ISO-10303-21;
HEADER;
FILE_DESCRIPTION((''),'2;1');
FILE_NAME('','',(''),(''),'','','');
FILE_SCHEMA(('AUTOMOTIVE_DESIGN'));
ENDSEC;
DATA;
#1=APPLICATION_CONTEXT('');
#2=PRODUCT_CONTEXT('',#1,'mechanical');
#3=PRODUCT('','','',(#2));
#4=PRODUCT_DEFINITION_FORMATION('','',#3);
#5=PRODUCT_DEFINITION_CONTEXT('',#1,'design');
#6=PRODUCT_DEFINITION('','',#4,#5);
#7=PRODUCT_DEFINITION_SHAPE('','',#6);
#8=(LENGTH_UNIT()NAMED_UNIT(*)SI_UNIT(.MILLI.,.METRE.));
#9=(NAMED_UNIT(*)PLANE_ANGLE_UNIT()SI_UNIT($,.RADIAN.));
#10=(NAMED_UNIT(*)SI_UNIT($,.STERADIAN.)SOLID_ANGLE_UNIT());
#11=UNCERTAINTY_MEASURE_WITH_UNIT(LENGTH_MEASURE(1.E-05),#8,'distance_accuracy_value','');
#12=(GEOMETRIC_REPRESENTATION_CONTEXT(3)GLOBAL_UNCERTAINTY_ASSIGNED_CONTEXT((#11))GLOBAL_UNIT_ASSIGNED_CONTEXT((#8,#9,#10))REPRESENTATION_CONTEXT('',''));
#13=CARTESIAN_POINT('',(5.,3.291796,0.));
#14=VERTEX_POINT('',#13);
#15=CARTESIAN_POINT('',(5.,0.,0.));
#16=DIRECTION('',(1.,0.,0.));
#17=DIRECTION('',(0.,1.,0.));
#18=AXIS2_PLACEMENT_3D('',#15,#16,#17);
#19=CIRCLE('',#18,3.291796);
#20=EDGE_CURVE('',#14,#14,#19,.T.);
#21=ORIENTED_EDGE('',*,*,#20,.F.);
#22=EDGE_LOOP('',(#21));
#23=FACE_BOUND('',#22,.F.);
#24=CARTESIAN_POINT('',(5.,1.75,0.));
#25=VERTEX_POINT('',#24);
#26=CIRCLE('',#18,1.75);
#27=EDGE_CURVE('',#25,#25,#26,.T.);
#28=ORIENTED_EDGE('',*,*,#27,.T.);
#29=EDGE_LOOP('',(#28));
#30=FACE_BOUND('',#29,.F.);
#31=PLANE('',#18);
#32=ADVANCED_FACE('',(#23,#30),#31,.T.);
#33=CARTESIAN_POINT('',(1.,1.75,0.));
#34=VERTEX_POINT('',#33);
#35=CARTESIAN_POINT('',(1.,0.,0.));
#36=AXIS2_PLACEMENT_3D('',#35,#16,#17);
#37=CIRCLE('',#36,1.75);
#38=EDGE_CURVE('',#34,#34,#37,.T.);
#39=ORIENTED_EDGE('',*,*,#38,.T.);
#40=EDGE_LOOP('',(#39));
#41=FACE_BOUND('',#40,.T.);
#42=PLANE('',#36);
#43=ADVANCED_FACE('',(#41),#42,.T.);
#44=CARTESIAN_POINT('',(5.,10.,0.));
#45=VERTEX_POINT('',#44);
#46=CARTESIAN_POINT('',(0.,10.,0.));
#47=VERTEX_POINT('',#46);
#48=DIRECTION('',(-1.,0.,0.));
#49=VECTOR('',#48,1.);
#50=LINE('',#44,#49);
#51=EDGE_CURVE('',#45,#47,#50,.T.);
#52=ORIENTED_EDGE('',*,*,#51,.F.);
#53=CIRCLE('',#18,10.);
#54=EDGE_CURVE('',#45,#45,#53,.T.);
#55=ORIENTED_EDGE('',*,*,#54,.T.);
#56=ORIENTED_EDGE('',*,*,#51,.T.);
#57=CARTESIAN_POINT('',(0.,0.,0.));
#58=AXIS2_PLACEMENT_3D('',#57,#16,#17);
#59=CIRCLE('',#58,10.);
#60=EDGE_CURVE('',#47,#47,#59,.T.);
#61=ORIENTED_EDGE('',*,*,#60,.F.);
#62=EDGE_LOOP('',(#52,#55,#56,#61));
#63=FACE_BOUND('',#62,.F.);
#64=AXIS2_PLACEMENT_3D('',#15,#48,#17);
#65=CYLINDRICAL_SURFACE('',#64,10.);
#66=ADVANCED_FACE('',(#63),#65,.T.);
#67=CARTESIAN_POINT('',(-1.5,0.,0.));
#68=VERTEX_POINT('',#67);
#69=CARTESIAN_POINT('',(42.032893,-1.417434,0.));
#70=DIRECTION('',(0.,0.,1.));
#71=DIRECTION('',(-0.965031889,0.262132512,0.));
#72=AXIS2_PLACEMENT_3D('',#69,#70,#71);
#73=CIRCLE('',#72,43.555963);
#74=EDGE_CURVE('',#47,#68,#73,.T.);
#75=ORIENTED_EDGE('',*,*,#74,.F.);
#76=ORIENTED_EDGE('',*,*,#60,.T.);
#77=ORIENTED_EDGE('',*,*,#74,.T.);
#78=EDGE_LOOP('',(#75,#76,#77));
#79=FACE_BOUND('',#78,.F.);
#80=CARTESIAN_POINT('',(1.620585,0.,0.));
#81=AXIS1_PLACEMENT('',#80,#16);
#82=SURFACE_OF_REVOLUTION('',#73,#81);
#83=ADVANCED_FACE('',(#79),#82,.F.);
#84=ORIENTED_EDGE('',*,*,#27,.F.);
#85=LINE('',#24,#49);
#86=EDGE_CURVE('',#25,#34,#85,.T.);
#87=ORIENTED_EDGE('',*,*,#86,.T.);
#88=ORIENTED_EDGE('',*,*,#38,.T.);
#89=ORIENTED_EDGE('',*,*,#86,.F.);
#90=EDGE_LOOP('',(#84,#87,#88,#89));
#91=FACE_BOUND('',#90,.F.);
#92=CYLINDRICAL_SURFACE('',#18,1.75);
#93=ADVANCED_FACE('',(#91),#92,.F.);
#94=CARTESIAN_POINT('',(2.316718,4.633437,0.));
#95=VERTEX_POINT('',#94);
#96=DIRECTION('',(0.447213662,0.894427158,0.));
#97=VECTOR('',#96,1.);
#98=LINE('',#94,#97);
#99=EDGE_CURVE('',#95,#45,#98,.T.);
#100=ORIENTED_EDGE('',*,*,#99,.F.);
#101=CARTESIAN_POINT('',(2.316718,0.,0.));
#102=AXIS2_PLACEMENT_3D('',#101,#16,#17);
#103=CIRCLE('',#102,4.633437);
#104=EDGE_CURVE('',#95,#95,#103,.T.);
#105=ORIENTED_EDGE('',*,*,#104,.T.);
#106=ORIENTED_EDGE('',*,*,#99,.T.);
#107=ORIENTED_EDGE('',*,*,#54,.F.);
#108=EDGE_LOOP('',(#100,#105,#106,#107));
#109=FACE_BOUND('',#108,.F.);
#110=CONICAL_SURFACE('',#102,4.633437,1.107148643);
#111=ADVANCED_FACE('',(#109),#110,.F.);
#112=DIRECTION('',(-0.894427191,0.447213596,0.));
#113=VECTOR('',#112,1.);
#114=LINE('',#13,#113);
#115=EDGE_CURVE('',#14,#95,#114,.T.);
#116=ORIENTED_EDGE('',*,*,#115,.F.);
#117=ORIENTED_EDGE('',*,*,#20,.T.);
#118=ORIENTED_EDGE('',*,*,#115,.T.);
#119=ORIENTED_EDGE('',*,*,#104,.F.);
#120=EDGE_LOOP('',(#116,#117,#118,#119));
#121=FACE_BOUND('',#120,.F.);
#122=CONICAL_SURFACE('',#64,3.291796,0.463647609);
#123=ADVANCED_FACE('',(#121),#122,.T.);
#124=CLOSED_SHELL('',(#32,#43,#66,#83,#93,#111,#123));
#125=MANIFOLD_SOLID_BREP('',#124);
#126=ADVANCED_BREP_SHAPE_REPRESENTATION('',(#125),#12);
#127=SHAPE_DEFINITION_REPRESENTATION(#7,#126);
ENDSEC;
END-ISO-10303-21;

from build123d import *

# Parameters (mm, degrees)
F2_R     = 1.75
F3_DEPTH = 4


with BuildPart() as f1:
    # F0 (on Top) → F1 (revolve)
    with BuildSketch(Plane.XY):
        with BuildLine():
            Line((5, 10), (0, 10))
            ThreePointArc((0, 10), (-1.041182, 5.043677), (-1.5, 0))
            Line((-1.5, 0), (5, 0))
            Line((5, 0), (5, 3.291796))
            Line((5, 3.291796), (2.316718, 4.633437))
            Line((2.316718, 4.633437), (5, 10))
        make_face()
    revolve(axis=Axis((1.620585, 0, 0), (1, 0, 0)))

    # F2 (on face) → F3 (cut)
    with BuildSketch(Plane.YZ.offset(5)):
        Circle(F2_R)
    extrude(amount=-F3_DEPTH, mode=Mode.SUBTRACT)


solid = f1.part
